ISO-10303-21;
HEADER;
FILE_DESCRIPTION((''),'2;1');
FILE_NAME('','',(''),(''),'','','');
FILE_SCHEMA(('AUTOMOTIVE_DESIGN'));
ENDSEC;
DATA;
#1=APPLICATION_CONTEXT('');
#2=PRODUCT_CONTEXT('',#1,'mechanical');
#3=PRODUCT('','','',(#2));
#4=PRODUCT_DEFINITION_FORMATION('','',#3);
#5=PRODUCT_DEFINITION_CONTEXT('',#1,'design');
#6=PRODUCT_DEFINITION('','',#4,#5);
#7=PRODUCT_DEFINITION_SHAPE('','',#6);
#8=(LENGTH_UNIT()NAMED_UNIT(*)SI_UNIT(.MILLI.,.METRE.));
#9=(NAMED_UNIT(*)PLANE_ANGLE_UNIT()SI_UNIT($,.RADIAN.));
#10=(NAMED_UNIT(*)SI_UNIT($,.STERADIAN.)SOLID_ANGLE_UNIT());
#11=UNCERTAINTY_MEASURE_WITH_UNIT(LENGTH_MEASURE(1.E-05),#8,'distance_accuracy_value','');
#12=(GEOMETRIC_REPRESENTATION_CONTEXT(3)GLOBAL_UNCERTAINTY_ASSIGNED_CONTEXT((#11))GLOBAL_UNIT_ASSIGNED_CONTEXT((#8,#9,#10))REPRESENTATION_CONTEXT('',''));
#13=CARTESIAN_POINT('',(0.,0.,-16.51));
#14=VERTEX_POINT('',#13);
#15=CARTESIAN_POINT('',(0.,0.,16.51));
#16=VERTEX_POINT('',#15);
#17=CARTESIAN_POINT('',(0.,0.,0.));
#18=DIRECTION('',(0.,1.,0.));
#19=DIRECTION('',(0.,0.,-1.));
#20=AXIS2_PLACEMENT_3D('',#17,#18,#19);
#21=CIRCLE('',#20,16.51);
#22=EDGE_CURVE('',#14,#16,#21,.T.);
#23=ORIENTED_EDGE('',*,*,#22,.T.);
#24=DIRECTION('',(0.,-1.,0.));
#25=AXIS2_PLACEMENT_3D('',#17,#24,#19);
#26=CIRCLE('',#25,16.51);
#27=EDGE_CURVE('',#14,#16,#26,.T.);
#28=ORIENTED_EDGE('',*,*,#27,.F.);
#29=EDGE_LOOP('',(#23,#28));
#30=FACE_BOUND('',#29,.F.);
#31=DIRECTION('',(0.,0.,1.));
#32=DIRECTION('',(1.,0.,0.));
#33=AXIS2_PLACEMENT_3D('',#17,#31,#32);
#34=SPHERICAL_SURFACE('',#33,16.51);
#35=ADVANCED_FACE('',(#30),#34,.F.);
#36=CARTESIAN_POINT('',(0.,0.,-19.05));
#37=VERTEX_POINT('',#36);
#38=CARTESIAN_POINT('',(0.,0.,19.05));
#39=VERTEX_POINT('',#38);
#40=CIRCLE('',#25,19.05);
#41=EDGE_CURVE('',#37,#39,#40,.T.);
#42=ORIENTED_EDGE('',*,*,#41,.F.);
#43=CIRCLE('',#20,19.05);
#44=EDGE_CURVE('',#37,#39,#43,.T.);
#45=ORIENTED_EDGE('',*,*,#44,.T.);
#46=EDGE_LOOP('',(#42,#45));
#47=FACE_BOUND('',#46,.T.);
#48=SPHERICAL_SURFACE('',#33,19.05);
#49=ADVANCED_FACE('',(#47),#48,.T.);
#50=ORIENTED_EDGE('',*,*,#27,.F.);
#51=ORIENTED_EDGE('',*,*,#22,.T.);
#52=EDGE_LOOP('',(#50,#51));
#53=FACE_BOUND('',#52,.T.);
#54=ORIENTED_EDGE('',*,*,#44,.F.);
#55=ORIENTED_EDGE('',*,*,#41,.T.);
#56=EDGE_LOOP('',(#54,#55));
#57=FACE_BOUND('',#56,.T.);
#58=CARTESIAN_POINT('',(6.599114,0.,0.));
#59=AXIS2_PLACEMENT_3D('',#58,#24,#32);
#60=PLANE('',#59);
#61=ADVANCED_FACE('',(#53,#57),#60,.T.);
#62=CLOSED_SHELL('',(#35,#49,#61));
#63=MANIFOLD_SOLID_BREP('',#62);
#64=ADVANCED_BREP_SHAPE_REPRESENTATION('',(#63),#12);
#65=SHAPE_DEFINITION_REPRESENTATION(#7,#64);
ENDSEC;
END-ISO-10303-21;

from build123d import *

# Parameters (mm, degrees)
F1_ANGLE = 180
F2_T     = -2.54


with BuildPart() as f1:
    # F0 (on Front) → F1 (revolve)
    with BuildSketch(Plane.XZ):
        with BuildLine():
            Line((0, 19.05), (0, -19.05))
            ThreePointArc((0, -19.05), (19.05, 0), (0, 19.05))
        make_face()
    revolve(axis=Axis((0, 0, 24.029225), (0, 0, 1)), revolution_arc=F1_ANGLE)

    # F2
    f2_openings = [f1.faces().sort_by_distance(p)[0] for p in [
        (0, 0, 0),
    ]]
    offset(amount=F2_T, openings=f2_openings)


solid = f1.part
